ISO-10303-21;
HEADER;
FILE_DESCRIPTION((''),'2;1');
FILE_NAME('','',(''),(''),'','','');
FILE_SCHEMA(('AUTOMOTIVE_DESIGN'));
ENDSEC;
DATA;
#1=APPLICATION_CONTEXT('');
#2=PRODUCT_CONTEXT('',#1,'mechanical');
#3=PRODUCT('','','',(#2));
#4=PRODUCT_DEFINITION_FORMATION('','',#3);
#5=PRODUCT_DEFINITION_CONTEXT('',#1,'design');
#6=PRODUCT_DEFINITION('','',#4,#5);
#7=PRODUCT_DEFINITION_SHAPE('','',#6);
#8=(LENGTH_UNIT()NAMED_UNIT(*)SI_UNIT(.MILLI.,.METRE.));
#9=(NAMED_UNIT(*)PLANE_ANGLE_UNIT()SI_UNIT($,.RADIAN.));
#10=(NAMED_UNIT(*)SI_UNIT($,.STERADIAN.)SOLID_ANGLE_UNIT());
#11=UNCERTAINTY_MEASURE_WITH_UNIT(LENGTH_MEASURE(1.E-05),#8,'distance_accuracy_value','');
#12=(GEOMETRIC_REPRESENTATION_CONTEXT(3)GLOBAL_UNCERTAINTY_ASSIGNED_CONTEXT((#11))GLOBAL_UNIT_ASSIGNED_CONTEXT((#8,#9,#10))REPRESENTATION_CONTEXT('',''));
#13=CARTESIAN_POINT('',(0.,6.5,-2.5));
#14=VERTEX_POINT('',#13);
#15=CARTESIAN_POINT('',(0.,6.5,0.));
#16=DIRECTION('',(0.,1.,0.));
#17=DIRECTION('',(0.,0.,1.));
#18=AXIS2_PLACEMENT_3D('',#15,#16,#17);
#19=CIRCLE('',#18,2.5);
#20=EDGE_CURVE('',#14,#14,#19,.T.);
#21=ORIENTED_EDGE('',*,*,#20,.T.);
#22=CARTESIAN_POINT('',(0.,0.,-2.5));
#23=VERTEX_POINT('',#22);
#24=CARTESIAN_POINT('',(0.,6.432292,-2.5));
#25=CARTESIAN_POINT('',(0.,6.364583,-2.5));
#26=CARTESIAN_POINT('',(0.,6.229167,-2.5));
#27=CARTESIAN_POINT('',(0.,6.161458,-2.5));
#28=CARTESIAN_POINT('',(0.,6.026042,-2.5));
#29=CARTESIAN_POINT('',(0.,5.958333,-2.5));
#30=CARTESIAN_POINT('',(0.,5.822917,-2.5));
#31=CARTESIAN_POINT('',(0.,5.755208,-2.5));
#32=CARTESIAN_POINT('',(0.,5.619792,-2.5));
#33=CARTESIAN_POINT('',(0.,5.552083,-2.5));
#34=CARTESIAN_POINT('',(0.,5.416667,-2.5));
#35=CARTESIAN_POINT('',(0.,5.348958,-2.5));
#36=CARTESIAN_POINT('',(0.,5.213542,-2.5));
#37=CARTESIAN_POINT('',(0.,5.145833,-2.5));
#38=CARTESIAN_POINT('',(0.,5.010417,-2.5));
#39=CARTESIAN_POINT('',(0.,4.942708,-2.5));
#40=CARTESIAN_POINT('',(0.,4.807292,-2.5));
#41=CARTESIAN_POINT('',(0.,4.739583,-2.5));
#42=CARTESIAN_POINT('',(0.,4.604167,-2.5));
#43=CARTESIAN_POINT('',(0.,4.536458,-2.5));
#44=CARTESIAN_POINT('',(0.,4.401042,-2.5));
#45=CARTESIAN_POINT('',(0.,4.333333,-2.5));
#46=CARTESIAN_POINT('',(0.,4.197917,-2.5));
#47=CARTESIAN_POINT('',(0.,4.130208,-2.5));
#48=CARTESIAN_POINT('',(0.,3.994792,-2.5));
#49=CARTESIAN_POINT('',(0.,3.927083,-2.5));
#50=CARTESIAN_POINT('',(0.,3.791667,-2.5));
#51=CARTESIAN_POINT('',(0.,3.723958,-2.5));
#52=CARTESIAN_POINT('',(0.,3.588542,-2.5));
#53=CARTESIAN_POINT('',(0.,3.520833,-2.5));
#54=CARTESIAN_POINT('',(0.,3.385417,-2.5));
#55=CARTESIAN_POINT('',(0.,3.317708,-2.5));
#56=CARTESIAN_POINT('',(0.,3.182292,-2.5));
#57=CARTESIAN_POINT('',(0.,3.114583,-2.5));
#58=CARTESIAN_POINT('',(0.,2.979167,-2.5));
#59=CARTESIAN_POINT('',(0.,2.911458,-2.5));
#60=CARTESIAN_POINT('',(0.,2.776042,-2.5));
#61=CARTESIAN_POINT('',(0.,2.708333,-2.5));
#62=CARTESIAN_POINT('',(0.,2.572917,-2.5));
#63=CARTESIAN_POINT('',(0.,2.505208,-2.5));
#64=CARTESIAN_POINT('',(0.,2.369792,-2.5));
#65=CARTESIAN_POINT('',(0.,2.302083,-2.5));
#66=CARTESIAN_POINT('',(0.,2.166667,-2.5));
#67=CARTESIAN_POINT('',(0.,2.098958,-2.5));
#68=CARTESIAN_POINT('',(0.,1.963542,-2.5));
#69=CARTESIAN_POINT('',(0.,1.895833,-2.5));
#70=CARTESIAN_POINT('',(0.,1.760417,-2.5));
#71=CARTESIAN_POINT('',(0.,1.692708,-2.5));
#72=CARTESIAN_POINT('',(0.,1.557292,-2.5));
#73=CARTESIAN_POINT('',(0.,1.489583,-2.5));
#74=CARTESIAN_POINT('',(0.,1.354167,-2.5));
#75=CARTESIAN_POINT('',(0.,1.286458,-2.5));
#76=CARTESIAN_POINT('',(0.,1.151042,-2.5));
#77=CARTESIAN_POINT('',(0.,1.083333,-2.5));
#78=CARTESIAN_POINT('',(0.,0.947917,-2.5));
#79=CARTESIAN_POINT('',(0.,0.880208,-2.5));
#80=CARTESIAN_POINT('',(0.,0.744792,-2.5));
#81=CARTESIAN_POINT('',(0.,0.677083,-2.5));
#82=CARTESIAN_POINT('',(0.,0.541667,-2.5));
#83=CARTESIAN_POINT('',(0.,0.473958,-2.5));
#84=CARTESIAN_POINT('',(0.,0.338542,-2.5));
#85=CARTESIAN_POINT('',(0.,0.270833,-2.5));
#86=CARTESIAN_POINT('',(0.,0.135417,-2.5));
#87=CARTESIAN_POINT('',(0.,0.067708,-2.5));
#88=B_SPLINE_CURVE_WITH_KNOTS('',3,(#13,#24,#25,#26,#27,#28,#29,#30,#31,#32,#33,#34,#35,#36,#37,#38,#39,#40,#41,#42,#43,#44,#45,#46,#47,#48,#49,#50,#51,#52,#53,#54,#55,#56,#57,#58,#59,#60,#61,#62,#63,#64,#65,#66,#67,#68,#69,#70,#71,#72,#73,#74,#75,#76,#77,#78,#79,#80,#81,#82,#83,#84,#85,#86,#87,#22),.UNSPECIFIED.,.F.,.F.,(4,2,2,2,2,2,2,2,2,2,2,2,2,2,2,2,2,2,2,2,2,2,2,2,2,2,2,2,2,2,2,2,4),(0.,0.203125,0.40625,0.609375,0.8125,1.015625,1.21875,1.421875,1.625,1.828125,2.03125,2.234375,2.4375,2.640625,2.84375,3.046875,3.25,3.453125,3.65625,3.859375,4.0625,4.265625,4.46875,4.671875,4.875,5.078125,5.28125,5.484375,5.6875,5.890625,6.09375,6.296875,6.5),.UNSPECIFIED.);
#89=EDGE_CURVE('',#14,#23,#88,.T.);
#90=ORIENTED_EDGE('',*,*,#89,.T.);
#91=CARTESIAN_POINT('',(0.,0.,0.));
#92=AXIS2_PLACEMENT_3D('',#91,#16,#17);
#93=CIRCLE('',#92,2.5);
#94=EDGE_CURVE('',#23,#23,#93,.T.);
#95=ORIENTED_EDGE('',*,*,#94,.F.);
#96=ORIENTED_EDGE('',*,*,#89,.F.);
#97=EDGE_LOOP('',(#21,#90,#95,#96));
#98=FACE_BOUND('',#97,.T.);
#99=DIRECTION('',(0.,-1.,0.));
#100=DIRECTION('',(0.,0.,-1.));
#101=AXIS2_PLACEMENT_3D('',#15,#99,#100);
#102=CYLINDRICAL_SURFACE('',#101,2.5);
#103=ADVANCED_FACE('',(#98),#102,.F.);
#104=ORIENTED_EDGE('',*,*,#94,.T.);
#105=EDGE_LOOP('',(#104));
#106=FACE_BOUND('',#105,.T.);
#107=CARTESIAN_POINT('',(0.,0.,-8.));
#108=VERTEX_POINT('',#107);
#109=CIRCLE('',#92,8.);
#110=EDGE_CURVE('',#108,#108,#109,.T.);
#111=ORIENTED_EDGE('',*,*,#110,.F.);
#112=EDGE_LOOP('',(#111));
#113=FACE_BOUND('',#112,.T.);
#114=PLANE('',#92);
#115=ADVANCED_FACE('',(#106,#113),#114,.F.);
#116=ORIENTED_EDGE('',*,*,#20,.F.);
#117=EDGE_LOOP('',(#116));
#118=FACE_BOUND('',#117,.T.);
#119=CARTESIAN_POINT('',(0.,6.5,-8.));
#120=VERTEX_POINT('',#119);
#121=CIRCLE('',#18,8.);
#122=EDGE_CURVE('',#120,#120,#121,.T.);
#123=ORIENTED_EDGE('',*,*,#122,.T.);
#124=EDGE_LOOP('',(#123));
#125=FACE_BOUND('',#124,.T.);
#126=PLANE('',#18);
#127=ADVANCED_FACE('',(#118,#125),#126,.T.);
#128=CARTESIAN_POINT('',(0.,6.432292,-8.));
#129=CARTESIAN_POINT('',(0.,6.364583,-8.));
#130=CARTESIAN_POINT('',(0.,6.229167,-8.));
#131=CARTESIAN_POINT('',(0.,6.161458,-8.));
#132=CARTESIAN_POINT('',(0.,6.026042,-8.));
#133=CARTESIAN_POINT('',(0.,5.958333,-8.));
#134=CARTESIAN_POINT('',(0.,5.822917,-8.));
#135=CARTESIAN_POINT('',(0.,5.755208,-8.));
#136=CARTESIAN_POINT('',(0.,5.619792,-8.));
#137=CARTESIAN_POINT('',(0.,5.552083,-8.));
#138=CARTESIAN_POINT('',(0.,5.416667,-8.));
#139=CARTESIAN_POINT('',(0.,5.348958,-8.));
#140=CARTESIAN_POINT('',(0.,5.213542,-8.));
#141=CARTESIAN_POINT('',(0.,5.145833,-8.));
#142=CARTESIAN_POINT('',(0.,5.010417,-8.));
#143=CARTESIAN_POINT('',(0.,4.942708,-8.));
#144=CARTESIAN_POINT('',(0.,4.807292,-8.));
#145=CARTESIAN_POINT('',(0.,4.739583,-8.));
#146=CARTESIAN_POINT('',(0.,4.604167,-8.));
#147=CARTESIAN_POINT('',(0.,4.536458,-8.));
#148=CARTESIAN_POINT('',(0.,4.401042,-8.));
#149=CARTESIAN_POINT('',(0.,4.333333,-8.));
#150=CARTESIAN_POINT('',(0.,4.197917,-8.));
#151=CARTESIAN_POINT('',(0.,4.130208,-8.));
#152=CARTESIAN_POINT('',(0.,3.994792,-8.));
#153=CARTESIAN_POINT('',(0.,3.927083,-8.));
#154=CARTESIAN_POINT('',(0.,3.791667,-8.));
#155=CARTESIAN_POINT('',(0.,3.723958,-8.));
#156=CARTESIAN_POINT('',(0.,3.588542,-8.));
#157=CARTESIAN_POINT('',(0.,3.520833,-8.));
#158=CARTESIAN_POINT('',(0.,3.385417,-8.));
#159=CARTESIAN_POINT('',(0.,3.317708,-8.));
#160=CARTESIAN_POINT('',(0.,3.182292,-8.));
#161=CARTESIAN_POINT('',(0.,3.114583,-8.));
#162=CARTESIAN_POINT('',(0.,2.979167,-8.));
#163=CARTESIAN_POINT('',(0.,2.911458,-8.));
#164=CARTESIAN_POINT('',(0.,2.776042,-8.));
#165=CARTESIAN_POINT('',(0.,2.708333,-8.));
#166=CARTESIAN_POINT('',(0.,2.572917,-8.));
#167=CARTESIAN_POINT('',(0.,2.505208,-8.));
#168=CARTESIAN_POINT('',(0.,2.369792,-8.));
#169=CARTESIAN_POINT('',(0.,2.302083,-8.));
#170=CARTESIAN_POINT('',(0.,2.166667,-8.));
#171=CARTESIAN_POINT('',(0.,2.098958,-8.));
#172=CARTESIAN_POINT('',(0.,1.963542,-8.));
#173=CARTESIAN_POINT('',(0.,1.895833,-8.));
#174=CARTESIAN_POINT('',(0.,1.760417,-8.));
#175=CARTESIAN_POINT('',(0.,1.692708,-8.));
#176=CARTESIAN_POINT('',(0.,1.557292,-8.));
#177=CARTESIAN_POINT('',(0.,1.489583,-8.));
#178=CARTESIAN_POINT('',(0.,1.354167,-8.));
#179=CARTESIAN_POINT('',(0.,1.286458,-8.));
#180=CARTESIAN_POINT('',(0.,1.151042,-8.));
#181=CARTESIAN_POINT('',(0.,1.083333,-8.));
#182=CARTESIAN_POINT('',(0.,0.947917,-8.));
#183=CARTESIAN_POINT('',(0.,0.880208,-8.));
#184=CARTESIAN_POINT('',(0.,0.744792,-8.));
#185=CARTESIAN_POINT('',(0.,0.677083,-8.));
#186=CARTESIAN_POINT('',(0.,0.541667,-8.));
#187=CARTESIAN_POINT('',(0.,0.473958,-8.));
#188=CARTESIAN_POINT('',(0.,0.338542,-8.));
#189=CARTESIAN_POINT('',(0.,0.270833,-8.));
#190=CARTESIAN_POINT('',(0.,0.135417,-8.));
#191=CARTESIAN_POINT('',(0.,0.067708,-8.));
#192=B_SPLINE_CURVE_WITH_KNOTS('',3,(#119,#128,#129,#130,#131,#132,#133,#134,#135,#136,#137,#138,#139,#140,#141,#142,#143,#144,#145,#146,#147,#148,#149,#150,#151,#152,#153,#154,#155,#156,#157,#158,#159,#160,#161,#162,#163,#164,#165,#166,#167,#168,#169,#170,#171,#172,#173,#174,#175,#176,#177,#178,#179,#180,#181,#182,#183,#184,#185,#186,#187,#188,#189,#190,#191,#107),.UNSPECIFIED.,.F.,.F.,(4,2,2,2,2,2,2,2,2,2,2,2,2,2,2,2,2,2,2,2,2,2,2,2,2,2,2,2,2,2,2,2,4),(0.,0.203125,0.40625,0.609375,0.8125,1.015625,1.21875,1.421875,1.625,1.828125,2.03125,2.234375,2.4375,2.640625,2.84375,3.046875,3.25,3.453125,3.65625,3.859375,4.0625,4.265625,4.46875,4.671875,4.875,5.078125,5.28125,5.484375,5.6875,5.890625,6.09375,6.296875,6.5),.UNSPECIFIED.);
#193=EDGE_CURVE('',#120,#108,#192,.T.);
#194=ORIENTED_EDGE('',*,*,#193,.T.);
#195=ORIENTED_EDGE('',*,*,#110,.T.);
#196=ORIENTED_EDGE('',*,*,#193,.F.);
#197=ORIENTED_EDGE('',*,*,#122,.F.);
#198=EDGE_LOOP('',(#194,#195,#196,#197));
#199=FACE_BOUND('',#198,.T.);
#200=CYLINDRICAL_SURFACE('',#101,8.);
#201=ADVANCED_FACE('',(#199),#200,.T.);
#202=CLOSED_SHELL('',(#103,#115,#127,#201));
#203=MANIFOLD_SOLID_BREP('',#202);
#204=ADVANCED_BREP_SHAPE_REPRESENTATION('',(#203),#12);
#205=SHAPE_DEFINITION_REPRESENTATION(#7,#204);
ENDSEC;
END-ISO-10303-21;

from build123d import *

# Parameters (mm, degrees)
SKETCH_1_R      = 8
SKETCH_1_R_2    = 2.5
EXTRUDE_1_DEPTH = 6.5


with BuildPart() as part:
    # Эскиз1 → Бобышка-Вытянуть1 (new body)
    with BuildSketch(Plane(origin=(0, 0, 0), x_dir=(1, 0, 0), z_dir=(0, 1, 0))):
        with Locations(Location((0, 0, 0), (0, 0, 90))):
            Circle(SKETCH_1_R)
        with Locations(Location((0, 0, 0), (0, 0, 90))):
            Circle(SKETCH_1_R_2, mode=Mode.SUBTRACT)
    extrude(amount=EXTRUDE_1_DEPTH)


solid = part.part
